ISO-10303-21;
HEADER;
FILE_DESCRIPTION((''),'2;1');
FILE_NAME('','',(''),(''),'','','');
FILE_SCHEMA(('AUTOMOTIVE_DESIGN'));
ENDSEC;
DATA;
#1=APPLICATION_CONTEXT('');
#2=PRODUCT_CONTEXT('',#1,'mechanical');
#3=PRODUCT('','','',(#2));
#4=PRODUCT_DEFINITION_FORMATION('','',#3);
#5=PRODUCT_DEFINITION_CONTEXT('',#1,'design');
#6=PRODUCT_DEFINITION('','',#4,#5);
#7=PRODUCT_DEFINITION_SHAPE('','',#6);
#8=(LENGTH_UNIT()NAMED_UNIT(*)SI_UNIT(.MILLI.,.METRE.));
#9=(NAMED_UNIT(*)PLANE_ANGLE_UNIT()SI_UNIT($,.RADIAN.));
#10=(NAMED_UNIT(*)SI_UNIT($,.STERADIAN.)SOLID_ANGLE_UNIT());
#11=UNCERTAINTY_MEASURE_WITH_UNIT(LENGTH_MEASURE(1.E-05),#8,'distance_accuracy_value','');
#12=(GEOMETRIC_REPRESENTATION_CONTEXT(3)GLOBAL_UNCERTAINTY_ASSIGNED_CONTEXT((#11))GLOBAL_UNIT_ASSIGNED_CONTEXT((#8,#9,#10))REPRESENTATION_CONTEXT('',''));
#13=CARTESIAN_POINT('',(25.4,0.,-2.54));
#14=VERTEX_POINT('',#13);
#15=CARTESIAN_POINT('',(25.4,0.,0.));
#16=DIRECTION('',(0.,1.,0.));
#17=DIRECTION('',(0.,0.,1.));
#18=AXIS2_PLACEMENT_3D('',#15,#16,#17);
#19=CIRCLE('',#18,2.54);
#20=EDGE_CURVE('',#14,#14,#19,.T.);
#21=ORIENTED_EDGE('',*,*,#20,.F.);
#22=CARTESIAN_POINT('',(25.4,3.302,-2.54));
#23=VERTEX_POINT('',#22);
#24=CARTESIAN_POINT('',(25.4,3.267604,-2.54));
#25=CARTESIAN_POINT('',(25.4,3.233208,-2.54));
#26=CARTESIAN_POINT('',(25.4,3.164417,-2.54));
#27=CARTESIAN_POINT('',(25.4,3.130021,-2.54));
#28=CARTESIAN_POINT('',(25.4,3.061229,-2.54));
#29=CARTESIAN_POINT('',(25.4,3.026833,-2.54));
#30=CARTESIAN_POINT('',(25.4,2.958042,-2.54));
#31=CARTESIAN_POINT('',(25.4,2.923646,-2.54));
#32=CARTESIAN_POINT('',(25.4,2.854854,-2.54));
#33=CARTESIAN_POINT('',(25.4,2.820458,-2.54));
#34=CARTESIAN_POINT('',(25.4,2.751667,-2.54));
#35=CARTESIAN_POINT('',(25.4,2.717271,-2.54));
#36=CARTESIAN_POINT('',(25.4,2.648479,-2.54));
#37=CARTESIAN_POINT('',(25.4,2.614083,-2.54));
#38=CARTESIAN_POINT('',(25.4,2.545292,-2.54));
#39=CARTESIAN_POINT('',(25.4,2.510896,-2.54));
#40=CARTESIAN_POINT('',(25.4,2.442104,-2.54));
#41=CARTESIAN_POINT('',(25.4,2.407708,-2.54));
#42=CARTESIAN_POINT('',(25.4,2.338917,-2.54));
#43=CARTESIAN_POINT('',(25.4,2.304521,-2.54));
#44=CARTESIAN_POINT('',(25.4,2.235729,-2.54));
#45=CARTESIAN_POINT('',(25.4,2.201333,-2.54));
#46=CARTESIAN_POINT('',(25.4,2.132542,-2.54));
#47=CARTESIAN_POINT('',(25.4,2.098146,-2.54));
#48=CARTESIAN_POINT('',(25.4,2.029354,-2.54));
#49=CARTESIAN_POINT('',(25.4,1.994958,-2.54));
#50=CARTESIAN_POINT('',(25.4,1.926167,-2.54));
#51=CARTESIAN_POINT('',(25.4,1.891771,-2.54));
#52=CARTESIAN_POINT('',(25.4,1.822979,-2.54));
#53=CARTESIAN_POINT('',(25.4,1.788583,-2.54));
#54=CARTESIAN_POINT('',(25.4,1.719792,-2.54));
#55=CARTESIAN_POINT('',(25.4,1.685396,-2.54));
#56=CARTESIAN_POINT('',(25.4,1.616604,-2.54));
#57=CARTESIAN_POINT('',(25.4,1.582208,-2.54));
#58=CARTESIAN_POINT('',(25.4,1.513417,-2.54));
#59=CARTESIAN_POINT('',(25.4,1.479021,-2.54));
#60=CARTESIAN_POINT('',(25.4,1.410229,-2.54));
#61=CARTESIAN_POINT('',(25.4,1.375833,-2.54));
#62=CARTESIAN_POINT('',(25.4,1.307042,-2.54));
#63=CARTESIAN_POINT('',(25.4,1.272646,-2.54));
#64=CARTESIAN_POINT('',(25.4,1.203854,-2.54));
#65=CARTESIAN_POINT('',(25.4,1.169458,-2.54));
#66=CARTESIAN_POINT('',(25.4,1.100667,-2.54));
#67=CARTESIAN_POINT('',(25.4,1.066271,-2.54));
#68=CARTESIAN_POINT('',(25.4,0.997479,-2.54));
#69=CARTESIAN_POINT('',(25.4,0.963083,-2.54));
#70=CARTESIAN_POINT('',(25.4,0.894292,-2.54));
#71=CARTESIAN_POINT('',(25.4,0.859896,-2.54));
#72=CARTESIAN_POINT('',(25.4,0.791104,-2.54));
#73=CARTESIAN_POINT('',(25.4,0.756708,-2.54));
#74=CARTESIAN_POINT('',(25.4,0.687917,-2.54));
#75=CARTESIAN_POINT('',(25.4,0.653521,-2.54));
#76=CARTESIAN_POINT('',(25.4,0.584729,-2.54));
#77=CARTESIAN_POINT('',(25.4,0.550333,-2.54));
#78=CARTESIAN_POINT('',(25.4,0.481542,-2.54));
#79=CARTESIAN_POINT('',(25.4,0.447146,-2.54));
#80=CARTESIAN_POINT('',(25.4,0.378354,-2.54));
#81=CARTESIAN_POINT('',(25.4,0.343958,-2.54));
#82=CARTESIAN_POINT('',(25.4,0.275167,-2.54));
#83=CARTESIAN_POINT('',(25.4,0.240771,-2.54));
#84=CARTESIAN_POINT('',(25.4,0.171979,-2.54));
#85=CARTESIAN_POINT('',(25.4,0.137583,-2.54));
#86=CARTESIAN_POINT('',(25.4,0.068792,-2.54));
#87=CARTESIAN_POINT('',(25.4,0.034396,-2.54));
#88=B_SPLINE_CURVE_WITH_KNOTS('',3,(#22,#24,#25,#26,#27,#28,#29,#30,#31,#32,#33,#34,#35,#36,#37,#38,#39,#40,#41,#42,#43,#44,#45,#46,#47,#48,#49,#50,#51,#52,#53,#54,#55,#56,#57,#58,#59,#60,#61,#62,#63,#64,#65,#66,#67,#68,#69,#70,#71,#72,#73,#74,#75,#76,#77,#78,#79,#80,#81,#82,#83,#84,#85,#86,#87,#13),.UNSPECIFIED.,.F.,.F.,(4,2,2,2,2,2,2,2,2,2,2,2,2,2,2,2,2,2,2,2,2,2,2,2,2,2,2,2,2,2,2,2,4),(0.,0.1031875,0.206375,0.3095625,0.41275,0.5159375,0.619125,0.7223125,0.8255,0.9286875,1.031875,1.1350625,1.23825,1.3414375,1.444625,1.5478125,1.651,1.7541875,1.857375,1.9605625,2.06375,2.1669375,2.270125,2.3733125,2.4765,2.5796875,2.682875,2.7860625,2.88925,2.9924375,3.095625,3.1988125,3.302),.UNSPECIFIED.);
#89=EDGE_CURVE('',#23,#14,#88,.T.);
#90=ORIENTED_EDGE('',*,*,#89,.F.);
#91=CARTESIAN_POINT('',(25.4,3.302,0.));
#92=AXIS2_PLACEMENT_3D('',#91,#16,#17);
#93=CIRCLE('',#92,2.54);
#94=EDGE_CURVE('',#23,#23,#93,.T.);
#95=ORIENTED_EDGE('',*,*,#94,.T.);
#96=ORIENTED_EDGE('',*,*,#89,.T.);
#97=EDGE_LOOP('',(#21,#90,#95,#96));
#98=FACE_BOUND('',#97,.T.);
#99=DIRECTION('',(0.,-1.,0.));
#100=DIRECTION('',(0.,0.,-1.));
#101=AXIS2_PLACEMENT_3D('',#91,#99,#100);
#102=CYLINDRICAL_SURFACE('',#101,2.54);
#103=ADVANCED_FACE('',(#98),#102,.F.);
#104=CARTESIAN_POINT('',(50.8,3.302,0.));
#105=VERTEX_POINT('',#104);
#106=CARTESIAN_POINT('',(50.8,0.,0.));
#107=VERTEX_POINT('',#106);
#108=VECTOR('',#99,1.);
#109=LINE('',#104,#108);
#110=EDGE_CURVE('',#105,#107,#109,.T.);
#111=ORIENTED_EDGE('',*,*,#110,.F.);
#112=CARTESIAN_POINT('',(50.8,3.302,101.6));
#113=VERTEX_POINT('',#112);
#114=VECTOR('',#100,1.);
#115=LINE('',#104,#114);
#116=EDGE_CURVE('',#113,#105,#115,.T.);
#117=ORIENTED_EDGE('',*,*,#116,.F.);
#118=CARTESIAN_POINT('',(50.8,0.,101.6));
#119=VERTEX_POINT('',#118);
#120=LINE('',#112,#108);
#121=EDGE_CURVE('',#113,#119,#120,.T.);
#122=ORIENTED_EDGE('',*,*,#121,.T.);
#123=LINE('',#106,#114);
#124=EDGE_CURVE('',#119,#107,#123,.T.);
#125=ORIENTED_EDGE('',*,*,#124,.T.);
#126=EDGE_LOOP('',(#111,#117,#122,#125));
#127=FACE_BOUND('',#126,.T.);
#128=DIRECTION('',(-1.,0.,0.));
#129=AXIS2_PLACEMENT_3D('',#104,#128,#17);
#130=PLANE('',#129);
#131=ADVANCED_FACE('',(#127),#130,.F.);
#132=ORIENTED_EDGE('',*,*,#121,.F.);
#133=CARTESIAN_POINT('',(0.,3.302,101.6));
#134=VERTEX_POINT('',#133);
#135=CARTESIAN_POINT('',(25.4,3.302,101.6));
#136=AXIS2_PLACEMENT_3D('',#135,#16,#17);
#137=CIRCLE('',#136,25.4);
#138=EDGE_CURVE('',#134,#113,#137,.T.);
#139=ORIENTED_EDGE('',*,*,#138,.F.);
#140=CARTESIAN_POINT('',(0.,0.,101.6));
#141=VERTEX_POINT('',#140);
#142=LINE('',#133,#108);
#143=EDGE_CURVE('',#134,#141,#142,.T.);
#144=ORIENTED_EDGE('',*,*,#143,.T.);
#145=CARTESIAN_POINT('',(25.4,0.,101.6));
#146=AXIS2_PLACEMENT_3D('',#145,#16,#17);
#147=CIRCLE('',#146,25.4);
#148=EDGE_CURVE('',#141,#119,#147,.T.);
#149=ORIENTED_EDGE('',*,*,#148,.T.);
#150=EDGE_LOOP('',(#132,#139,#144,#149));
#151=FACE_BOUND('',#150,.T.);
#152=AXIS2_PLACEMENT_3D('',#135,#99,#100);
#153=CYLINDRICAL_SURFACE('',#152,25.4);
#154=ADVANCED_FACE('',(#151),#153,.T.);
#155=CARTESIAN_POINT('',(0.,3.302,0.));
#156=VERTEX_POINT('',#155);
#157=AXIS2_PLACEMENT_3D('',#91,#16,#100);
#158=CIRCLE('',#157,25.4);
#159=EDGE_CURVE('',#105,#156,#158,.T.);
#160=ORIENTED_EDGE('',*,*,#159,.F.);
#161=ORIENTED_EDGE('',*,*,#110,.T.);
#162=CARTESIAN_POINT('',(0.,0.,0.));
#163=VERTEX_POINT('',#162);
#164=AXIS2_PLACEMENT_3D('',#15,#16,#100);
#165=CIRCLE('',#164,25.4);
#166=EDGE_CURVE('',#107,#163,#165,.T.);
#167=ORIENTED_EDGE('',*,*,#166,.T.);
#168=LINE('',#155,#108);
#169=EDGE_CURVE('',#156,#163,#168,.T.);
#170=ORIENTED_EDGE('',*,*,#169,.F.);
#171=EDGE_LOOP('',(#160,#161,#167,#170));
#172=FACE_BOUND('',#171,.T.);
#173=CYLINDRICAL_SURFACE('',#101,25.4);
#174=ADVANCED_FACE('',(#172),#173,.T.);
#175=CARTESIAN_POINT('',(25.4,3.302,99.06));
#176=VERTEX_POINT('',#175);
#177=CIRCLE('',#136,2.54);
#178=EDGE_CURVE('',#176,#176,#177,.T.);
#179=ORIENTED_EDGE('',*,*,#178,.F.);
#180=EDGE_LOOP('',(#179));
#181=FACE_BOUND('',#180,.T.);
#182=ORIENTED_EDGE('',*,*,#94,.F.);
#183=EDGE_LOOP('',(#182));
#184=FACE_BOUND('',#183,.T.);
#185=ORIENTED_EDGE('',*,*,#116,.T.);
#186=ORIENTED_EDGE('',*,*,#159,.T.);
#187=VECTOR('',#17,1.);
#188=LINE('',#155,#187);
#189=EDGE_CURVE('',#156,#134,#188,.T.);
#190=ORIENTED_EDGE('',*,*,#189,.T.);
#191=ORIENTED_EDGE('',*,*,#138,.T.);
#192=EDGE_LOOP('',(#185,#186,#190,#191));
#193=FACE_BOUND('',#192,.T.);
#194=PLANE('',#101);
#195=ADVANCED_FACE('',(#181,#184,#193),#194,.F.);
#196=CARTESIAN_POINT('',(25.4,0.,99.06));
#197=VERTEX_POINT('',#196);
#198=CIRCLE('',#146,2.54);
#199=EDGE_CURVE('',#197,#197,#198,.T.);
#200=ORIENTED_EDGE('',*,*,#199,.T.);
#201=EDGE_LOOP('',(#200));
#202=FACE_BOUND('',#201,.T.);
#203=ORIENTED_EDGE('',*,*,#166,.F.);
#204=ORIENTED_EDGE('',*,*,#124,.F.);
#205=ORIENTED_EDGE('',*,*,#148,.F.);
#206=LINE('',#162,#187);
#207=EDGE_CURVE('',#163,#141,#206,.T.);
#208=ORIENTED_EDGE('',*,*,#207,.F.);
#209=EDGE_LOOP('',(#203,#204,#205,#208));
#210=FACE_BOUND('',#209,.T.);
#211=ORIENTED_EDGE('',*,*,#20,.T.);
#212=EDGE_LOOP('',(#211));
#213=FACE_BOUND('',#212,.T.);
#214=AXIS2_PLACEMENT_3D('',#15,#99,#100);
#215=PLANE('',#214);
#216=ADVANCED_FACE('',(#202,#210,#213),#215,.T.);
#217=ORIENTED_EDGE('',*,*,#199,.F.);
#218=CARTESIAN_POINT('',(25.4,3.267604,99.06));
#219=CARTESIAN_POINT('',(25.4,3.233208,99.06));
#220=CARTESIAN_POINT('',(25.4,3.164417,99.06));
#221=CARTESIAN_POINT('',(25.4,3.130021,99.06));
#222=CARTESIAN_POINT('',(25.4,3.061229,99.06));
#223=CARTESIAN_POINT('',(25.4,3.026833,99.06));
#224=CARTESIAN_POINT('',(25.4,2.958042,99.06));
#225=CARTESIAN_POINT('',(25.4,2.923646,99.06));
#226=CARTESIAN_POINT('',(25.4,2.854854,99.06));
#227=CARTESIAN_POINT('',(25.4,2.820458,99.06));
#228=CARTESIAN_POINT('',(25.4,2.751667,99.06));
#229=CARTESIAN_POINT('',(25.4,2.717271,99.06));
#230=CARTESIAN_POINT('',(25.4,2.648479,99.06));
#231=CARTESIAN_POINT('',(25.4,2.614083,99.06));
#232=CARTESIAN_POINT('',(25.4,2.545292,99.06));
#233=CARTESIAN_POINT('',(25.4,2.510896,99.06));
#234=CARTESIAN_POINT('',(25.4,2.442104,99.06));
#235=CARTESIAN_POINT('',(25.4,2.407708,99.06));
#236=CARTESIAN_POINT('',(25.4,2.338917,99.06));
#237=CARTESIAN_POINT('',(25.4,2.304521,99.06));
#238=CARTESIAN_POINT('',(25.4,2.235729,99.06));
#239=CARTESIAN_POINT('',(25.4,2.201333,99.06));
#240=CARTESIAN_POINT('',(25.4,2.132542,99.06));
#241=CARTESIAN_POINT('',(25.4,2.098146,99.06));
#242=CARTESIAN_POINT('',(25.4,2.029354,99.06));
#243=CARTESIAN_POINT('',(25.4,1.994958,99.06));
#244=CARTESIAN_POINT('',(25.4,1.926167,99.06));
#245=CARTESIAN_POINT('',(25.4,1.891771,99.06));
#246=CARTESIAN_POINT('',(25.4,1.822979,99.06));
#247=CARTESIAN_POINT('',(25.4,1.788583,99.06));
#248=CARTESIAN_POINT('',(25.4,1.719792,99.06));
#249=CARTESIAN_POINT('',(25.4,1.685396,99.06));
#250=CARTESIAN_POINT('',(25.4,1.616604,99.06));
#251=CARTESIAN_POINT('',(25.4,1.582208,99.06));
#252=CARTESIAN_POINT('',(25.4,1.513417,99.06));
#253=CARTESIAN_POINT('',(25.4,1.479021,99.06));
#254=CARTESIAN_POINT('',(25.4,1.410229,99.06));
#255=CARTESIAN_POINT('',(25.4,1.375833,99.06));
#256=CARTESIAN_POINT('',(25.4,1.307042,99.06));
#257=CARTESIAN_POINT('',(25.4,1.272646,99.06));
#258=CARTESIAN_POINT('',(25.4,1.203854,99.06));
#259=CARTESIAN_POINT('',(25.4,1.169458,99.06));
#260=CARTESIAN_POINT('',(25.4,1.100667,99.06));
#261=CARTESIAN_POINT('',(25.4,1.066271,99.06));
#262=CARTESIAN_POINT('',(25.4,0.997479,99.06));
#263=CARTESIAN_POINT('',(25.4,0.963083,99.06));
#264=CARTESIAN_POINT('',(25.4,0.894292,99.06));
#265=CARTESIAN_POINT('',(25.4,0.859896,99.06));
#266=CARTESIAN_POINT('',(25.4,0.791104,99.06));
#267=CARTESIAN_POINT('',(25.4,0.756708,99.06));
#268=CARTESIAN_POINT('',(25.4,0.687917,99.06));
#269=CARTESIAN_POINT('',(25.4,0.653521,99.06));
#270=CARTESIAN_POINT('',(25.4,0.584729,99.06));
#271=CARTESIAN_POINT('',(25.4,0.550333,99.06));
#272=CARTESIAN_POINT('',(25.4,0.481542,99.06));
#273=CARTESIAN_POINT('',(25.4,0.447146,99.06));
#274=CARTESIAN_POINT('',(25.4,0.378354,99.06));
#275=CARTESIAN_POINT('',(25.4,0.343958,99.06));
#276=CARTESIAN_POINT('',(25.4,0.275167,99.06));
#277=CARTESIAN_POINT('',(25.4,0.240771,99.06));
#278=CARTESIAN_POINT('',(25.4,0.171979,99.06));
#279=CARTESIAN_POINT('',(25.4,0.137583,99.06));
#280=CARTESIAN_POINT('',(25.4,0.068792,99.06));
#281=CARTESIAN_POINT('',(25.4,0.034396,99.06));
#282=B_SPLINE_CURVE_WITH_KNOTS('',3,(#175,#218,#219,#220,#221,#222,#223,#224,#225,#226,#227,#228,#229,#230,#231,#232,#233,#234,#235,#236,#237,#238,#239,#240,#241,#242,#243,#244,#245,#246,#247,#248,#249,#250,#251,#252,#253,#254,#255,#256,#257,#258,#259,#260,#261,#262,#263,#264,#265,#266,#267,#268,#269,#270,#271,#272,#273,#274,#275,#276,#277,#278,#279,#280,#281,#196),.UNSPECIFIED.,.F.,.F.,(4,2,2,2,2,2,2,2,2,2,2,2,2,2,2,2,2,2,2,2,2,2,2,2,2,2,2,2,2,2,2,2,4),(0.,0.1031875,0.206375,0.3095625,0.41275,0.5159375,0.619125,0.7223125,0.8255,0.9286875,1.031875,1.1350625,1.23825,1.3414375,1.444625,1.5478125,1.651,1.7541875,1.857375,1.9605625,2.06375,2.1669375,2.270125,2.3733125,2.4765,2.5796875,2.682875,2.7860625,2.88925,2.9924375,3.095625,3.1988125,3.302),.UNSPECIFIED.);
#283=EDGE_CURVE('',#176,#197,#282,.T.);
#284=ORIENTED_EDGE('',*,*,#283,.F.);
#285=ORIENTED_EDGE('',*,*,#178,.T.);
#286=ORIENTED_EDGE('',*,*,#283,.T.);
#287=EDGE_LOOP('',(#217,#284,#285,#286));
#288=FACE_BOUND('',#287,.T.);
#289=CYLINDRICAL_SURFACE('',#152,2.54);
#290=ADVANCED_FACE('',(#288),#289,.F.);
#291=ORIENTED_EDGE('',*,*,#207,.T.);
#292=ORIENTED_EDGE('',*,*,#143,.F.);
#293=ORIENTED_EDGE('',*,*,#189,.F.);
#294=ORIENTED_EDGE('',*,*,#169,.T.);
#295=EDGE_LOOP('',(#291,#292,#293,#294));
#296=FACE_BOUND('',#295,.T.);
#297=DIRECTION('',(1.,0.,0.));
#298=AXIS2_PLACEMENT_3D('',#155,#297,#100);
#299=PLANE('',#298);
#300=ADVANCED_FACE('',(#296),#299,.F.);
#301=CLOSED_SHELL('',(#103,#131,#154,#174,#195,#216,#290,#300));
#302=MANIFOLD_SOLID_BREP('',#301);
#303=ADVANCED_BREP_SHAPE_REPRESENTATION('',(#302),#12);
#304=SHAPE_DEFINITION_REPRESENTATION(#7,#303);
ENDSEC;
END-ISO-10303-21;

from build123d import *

# Parameters (mm, degrees)
SKETCH1_R           = 2.54
BOSS_EXTRUDE1_DEPTH = 3.302


with BuildPart() as part:
    # Sketch1 → Boss-Extrude1 (new body)
    with BuildSketch(Plane(origin=(0, 0, 0), x_dir=(1, 0, 0), z_dir=(0, 1, 0))):
        with BuildLine():
            Line((0, 0), (0, -101.6))
            ThreePointArc((0, -101.6), (25.4, -127), (50.8, -101.6))
            Line((50.8, -101.6), (50.8, 0))
            ThreePointArc((50.8, 0), (25.4, 25.4), (0, 0))
        make_face()
        with Locations(Location((25.4, 0, 0), (0, 0, 90))):
            Circle(SKETCH1_R, mode=Mode.SUBTRACT)
        with Locations(Location((25.4, -101.6, 0), (0, 0, 90))):
            Circle(SKETCH1_R, mode=Mode.SUBTRACT)
    extrude(amount=BOSS_EXTRUDE1_DEPTH)


solid = part.part
